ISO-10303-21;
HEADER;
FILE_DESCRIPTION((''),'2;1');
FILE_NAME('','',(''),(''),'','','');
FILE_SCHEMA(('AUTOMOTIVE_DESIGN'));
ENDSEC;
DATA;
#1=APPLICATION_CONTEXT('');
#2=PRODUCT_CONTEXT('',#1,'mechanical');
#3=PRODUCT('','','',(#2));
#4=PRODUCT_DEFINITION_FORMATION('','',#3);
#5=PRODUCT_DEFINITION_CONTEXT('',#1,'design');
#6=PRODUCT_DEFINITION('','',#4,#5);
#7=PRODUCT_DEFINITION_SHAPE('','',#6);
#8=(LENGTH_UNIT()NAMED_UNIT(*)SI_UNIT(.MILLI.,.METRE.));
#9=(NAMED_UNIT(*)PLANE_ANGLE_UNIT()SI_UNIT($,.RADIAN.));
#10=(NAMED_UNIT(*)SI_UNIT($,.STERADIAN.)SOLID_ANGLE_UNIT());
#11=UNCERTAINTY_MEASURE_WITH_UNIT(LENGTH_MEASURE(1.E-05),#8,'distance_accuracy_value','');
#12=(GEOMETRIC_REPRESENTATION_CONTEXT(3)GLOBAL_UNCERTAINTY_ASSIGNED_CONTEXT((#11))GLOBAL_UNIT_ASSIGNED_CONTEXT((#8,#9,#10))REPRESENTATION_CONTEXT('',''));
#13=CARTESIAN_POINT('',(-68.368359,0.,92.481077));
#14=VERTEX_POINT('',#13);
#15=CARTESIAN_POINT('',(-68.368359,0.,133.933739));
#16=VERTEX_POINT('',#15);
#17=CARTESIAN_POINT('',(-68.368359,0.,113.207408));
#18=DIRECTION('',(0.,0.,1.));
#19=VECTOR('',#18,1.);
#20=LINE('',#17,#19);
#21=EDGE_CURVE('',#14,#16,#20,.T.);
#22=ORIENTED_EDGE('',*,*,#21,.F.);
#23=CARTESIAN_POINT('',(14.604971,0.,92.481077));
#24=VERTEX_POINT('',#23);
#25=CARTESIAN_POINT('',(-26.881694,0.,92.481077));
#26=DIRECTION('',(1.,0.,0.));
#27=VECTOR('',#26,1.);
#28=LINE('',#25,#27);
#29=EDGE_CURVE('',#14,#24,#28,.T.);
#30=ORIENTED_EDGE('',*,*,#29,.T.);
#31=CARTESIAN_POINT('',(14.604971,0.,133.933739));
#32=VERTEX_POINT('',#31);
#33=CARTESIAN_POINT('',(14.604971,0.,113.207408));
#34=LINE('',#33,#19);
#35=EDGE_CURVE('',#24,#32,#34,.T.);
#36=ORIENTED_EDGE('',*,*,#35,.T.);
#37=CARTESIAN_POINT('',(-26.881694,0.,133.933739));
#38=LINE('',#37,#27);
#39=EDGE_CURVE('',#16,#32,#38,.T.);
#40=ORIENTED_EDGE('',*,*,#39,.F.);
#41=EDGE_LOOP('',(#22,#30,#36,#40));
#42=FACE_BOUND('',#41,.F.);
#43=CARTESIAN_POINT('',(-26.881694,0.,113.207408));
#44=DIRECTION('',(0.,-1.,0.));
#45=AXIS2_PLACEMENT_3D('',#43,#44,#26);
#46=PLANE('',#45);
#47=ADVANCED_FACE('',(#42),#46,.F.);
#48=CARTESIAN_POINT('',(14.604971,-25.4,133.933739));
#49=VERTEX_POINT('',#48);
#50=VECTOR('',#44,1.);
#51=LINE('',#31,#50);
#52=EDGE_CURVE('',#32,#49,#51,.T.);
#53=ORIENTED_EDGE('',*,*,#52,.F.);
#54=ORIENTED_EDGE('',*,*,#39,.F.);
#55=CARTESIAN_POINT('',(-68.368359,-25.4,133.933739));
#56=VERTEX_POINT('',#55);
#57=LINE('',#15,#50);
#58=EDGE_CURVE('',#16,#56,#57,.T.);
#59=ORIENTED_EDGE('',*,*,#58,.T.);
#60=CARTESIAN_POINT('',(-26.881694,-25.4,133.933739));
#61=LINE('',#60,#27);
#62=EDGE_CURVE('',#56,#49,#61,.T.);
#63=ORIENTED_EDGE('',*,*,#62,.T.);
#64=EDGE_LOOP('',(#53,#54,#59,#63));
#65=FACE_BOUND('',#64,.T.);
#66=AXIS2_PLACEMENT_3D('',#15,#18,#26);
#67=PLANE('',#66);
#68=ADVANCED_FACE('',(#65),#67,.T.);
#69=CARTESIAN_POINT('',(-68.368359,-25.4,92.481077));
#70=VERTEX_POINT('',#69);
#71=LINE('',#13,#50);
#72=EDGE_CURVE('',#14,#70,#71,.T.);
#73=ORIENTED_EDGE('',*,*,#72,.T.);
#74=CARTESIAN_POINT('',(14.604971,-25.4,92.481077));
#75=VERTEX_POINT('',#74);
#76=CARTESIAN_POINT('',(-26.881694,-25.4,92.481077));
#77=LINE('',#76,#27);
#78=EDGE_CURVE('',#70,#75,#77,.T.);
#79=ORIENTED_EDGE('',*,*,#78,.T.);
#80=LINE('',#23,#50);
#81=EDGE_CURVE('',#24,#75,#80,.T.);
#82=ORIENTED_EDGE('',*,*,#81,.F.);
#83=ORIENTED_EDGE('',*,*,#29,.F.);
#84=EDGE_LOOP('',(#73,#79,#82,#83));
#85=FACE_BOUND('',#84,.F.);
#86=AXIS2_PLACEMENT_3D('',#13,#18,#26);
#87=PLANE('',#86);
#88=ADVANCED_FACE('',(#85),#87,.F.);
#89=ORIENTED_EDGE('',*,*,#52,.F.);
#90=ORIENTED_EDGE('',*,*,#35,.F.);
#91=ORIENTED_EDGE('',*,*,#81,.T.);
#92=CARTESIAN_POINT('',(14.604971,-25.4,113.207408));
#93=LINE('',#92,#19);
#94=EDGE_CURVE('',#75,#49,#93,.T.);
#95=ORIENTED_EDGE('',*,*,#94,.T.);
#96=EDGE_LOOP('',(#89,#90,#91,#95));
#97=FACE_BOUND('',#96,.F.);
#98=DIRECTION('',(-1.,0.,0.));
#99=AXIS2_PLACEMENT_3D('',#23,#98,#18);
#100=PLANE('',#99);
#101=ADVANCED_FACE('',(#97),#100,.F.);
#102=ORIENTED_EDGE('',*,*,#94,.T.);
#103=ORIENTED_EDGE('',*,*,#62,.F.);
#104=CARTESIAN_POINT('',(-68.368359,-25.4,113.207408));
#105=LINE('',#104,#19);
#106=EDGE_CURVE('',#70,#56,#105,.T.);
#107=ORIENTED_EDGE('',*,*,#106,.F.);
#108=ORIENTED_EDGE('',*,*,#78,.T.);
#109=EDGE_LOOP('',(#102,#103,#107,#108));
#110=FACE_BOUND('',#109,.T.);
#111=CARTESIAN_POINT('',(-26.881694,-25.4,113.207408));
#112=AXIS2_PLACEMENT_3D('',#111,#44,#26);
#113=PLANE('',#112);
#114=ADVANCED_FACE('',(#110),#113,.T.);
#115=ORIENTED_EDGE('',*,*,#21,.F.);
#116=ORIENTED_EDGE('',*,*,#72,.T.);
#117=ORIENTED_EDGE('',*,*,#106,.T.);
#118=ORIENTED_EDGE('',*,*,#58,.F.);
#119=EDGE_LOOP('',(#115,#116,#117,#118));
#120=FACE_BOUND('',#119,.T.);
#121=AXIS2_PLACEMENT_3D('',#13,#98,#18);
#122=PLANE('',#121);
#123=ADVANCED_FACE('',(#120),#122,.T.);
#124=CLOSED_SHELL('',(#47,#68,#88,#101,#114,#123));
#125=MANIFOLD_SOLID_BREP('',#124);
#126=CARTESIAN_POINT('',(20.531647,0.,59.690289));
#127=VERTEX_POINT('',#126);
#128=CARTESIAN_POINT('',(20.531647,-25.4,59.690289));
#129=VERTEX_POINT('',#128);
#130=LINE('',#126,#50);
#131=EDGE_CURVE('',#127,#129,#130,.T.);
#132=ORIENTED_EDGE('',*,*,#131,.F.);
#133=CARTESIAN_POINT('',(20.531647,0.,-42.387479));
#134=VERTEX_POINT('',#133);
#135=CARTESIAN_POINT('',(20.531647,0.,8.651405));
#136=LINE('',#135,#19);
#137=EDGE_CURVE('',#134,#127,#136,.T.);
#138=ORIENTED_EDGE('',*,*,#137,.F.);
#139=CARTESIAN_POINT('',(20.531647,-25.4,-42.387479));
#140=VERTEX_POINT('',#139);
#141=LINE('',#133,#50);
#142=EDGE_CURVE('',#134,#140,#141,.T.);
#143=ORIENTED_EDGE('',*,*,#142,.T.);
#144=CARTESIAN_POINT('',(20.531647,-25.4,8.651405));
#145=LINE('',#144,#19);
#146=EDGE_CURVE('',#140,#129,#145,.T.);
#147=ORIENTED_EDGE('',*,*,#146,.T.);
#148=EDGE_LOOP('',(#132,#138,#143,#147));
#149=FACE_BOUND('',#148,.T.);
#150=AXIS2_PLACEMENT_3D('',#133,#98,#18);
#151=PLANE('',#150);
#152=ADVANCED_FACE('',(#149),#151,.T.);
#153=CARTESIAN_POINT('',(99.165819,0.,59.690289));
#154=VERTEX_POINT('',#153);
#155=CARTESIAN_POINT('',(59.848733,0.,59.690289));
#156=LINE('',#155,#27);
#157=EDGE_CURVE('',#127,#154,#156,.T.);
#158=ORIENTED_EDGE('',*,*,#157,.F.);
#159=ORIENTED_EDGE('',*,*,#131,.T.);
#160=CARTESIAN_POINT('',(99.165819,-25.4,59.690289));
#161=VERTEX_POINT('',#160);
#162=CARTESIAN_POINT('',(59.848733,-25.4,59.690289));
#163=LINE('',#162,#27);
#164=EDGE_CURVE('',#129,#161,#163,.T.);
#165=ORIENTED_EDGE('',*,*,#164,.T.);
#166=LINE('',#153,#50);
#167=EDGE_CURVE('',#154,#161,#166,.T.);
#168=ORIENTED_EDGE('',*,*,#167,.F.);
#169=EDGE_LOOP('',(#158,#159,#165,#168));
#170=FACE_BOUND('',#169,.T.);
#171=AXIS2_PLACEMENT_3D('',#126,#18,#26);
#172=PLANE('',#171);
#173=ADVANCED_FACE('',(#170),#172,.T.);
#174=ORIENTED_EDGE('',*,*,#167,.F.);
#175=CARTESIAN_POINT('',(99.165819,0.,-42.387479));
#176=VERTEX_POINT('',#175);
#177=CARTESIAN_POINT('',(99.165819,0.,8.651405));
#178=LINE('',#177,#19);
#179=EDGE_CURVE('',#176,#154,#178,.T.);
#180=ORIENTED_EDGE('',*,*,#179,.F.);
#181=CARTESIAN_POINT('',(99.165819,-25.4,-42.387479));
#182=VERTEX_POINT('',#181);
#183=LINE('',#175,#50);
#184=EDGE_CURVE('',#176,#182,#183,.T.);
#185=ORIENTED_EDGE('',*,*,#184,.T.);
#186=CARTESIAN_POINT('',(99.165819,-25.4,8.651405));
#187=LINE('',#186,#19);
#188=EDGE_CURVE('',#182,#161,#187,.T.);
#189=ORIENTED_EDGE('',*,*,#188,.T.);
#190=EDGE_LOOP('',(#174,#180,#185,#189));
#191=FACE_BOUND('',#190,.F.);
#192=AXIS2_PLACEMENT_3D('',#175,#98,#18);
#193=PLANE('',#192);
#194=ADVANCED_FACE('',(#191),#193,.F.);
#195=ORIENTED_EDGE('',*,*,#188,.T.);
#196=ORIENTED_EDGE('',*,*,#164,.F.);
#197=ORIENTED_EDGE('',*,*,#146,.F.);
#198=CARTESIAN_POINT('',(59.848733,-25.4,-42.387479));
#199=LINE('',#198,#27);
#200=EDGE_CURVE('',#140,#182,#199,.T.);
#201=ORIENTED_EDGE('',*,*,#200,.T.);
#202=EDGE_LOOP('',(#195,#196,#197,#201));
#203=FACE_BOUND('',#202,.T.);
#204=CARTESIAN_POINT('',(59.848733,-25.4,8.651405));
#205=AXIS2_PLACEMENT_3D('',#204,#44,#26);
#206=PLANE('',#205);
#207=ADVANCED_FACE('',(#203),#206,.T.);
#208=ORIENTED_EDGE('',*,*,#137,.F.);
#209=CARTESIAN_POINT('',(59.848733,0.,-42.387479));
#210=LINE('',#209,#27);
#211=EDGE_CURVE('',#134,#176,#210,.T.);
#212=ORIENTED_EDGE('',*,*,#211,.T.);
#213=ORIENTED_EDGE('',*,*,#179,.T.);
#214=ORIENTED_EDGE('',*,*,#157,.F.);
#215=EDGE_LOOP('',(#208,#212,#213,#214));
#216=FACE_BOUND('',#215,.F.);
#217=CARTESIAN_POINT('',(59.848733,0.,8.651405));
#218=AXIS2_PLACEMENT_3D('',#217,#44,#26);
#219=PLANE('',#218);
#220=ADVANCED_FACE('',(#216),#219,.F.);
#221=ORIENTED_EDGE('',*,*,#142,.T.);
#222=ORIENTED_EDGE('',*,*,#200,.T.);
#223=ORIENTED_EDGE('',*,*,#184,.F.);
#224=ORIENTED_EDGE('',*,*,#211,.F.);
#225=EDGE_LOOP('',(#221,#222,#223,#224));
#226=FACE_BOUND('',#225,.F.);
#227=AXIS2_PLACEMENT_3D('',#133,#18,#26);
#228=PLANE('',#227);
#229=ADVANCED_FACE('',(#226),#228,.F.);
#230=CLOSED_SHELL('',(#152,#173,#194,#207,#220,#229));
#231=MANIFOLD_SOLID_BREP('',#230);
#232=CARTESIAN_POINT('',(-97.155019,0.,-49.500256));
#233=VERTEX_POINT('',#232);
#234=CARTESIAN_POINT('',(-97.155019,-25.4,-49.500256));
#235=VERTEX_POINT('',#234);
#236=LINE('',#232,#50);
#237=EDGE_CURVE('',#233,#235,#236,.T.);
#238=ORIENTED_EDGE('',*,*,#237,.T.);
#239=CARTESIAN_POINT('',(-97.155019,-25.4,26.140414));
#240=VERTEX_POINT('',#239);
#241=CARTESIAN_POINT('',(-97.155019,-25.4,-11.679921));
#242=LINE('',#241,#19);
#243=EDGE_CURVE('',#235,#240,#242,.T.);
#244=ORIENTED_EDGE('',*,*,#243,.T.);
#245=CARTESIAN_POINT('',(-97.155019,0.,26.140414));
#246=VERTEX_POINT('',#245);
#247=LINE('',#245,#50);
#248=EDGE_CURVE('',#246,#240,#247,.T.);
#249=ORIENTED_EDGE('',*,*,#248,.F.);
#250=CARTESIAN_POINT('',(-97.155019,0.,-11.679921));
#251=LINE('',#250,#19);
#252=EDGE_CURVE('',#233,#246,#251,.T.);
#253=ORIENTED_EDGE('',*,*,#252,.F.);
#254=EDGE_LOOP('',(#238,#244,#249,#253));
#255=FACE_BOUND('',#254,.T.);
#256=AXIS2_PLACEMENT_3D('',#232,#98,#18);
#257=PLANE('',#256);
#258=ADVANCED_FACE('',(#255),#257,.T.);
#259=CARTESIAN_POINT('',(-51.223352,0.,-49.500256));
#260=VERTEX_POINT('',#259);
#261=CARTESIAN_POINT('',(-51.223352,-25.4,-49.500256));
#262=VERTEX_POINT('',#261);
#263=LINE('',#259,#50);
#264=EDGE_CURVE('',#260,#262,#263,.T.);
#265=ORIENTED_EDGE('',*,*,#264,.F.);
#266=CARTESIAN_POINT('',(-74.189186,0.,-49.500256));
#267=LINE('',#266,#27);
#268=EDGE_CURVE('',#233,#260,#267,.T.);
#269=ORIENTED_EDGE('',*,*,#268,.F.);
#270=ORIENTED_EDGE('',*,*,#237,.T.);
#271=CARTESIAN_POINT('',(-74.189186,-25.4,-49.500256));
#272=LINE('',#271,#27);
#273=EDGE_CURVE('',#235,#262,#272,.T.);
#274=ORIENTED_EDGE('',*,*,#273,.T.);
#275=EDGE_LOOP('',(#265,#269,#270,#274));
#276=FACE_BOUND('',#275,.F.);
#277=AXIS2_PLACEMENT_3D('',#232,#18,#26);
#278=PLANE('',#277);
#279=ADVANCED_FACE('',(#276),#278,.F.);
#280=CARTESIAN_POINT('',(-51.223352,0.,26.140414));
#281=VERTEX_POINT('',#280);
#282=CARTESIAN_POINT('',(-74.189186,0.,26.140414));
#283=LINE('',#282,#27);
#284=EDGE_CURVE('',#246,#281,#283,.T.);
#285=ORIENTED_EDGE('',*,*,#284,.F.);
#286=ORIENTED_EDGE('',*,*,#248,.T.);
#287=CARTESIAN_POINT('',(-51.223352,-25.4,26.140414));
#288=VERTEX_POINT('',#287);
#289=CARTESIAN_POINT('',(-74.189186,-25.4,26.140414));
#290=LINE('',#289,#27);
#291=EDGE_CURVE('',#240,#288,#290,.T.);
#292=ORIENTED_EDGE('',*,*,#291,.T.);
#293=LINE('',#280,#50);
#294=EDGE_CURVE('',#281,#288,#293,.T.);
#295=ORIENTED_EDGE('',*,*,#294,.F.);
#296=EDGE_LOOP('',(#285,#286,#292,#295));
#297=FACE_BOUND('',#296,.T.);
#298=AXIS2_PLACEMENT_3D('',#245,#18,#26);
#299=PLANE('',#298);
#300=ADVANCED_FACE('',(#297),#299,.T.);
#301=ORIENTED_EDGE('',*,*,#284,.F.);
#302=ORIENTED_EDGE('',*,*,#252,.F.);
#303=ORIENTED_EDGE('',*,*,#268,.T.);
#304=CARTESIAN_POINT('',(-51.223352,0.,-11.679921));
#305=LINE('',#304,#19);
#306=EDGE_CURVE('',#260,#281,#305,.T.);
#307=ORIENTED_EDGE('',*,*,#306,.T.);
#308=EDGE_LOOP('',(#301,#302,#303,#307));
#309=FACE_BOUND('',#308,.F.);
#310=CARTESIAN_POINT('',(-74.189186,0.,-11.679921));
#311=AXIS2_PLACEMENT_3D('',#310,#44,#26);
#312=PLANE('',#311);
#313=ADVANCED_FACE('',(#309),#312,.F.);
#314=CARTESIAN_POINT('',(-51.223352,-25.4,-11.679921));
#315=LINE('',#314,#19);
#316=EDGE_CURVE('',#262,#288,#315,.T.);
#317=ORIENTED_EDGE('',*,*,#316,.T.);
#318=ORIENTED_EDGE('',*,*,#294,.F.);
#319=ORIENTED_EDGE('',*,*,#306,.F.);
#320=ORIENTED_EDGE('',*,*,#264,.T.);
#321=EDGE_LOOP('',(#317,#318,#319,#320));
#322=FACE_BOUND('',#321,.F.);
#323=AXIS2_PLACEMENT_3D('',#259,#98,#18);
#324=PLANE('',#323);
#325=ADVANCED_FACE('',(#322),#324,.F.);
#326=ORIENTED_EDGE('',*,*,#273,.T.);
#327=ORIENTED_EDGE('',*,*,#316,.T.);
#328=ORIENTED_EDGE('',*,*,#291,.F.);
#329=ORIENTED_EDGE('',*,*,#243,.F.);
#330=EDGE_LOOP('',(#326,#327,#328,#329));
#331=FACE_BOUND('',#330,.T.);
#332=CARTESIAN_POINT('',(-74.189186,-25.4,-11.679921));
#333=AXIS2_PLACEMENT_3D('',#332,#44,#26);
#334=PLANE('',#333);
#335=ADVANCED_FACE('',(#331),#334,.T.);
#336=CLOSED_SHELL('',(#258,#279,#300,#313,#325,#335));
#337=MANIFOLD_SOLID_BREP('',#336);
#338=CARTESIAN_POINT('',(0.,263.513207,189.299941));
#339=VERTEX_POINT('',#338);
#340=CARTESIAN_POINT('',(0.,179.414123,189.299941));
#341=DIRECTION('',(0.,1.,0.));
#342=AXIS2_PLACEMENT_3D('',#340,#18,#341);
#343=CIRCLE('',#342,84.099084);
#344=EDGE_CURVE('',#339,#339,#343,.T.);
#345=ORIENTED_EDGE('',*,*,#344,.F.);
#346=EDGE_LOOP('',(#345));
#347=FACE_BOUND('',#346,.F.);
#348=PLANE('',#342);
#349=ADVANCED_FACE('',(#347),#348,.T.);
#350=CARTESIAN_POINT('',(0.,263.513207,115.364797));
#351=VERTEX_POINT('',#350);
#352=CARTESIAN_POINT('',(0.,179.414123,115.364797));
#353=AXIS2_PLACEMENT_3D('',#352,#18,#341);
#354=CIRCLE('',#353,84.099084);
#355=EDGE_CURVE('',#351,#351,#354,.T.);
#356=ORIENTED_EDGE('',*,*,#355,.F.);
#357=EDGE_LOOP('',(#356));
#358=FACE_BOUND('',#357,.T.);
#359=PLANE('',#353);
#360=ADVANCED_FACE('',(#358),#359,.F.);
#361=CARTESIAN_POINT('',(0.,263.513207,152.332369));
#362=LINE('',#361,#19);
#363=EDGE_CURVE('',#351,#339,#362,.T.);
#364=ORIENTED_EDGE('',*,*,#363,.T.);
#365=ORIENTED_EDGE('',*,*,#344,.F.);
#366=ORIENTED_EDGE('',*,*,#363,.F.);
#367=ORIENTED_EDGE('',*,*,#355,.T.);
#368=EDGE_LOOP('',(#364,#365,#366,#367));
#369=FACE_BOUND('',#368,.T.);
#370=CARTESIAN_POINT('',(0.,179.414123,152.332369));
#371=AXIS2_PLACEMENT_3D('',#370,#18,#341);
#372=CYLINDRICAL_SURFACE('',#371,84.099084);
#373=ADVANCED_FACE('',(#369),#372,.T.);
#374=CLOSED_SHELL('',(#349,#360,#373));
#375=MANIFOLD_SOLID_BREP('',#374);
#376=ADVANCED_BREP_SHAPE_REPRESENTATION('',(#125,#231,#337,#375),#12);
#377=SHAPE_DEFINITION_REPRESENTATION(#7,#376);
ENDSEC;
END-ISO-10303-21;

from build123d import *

# Parameters (mm, degrees)
F1_W     = 82.973331
F1_H     = 41.452661
F1_W_2   = 45.931667
F1_H_2   = 75.640671
F1_W_3   = 78.634173
F1_H_3   = 102.077767
F2_DEPTH = 25.4
F3_W     = 84.099084
F3_H     = 73.935144


with BuildPart() as f2:
    # F1 (on Front) → F2 (new body)
    with BuildSketch(Plane.XZ):
        with Locations((-26.881694, 113.207408)):
            Rectangle(F1_W, F1_H)
        with Locations((-74.189186, -11.679921)):
            Rectangle(F1_W_2, F1_H_2)
        with Locations((59.848733, 8.651405)):
            Rectangle(F1_W_3, F1_H_3)
    extrude(amount=F2_DEPTH)


with BuildPart() as f0:
    # F3 (on Right) → F0 (revolve)
    with BuildSketch(Plane.YZ):
        with Locations((221.463665, 152.332369)):
            Rectangle(F3_W, F3_H)
    revolve(axis=Axis((0, 179.414123, 152.332369), (0, 0, 1)))


solid = Compound([f2.part, f0.part])
